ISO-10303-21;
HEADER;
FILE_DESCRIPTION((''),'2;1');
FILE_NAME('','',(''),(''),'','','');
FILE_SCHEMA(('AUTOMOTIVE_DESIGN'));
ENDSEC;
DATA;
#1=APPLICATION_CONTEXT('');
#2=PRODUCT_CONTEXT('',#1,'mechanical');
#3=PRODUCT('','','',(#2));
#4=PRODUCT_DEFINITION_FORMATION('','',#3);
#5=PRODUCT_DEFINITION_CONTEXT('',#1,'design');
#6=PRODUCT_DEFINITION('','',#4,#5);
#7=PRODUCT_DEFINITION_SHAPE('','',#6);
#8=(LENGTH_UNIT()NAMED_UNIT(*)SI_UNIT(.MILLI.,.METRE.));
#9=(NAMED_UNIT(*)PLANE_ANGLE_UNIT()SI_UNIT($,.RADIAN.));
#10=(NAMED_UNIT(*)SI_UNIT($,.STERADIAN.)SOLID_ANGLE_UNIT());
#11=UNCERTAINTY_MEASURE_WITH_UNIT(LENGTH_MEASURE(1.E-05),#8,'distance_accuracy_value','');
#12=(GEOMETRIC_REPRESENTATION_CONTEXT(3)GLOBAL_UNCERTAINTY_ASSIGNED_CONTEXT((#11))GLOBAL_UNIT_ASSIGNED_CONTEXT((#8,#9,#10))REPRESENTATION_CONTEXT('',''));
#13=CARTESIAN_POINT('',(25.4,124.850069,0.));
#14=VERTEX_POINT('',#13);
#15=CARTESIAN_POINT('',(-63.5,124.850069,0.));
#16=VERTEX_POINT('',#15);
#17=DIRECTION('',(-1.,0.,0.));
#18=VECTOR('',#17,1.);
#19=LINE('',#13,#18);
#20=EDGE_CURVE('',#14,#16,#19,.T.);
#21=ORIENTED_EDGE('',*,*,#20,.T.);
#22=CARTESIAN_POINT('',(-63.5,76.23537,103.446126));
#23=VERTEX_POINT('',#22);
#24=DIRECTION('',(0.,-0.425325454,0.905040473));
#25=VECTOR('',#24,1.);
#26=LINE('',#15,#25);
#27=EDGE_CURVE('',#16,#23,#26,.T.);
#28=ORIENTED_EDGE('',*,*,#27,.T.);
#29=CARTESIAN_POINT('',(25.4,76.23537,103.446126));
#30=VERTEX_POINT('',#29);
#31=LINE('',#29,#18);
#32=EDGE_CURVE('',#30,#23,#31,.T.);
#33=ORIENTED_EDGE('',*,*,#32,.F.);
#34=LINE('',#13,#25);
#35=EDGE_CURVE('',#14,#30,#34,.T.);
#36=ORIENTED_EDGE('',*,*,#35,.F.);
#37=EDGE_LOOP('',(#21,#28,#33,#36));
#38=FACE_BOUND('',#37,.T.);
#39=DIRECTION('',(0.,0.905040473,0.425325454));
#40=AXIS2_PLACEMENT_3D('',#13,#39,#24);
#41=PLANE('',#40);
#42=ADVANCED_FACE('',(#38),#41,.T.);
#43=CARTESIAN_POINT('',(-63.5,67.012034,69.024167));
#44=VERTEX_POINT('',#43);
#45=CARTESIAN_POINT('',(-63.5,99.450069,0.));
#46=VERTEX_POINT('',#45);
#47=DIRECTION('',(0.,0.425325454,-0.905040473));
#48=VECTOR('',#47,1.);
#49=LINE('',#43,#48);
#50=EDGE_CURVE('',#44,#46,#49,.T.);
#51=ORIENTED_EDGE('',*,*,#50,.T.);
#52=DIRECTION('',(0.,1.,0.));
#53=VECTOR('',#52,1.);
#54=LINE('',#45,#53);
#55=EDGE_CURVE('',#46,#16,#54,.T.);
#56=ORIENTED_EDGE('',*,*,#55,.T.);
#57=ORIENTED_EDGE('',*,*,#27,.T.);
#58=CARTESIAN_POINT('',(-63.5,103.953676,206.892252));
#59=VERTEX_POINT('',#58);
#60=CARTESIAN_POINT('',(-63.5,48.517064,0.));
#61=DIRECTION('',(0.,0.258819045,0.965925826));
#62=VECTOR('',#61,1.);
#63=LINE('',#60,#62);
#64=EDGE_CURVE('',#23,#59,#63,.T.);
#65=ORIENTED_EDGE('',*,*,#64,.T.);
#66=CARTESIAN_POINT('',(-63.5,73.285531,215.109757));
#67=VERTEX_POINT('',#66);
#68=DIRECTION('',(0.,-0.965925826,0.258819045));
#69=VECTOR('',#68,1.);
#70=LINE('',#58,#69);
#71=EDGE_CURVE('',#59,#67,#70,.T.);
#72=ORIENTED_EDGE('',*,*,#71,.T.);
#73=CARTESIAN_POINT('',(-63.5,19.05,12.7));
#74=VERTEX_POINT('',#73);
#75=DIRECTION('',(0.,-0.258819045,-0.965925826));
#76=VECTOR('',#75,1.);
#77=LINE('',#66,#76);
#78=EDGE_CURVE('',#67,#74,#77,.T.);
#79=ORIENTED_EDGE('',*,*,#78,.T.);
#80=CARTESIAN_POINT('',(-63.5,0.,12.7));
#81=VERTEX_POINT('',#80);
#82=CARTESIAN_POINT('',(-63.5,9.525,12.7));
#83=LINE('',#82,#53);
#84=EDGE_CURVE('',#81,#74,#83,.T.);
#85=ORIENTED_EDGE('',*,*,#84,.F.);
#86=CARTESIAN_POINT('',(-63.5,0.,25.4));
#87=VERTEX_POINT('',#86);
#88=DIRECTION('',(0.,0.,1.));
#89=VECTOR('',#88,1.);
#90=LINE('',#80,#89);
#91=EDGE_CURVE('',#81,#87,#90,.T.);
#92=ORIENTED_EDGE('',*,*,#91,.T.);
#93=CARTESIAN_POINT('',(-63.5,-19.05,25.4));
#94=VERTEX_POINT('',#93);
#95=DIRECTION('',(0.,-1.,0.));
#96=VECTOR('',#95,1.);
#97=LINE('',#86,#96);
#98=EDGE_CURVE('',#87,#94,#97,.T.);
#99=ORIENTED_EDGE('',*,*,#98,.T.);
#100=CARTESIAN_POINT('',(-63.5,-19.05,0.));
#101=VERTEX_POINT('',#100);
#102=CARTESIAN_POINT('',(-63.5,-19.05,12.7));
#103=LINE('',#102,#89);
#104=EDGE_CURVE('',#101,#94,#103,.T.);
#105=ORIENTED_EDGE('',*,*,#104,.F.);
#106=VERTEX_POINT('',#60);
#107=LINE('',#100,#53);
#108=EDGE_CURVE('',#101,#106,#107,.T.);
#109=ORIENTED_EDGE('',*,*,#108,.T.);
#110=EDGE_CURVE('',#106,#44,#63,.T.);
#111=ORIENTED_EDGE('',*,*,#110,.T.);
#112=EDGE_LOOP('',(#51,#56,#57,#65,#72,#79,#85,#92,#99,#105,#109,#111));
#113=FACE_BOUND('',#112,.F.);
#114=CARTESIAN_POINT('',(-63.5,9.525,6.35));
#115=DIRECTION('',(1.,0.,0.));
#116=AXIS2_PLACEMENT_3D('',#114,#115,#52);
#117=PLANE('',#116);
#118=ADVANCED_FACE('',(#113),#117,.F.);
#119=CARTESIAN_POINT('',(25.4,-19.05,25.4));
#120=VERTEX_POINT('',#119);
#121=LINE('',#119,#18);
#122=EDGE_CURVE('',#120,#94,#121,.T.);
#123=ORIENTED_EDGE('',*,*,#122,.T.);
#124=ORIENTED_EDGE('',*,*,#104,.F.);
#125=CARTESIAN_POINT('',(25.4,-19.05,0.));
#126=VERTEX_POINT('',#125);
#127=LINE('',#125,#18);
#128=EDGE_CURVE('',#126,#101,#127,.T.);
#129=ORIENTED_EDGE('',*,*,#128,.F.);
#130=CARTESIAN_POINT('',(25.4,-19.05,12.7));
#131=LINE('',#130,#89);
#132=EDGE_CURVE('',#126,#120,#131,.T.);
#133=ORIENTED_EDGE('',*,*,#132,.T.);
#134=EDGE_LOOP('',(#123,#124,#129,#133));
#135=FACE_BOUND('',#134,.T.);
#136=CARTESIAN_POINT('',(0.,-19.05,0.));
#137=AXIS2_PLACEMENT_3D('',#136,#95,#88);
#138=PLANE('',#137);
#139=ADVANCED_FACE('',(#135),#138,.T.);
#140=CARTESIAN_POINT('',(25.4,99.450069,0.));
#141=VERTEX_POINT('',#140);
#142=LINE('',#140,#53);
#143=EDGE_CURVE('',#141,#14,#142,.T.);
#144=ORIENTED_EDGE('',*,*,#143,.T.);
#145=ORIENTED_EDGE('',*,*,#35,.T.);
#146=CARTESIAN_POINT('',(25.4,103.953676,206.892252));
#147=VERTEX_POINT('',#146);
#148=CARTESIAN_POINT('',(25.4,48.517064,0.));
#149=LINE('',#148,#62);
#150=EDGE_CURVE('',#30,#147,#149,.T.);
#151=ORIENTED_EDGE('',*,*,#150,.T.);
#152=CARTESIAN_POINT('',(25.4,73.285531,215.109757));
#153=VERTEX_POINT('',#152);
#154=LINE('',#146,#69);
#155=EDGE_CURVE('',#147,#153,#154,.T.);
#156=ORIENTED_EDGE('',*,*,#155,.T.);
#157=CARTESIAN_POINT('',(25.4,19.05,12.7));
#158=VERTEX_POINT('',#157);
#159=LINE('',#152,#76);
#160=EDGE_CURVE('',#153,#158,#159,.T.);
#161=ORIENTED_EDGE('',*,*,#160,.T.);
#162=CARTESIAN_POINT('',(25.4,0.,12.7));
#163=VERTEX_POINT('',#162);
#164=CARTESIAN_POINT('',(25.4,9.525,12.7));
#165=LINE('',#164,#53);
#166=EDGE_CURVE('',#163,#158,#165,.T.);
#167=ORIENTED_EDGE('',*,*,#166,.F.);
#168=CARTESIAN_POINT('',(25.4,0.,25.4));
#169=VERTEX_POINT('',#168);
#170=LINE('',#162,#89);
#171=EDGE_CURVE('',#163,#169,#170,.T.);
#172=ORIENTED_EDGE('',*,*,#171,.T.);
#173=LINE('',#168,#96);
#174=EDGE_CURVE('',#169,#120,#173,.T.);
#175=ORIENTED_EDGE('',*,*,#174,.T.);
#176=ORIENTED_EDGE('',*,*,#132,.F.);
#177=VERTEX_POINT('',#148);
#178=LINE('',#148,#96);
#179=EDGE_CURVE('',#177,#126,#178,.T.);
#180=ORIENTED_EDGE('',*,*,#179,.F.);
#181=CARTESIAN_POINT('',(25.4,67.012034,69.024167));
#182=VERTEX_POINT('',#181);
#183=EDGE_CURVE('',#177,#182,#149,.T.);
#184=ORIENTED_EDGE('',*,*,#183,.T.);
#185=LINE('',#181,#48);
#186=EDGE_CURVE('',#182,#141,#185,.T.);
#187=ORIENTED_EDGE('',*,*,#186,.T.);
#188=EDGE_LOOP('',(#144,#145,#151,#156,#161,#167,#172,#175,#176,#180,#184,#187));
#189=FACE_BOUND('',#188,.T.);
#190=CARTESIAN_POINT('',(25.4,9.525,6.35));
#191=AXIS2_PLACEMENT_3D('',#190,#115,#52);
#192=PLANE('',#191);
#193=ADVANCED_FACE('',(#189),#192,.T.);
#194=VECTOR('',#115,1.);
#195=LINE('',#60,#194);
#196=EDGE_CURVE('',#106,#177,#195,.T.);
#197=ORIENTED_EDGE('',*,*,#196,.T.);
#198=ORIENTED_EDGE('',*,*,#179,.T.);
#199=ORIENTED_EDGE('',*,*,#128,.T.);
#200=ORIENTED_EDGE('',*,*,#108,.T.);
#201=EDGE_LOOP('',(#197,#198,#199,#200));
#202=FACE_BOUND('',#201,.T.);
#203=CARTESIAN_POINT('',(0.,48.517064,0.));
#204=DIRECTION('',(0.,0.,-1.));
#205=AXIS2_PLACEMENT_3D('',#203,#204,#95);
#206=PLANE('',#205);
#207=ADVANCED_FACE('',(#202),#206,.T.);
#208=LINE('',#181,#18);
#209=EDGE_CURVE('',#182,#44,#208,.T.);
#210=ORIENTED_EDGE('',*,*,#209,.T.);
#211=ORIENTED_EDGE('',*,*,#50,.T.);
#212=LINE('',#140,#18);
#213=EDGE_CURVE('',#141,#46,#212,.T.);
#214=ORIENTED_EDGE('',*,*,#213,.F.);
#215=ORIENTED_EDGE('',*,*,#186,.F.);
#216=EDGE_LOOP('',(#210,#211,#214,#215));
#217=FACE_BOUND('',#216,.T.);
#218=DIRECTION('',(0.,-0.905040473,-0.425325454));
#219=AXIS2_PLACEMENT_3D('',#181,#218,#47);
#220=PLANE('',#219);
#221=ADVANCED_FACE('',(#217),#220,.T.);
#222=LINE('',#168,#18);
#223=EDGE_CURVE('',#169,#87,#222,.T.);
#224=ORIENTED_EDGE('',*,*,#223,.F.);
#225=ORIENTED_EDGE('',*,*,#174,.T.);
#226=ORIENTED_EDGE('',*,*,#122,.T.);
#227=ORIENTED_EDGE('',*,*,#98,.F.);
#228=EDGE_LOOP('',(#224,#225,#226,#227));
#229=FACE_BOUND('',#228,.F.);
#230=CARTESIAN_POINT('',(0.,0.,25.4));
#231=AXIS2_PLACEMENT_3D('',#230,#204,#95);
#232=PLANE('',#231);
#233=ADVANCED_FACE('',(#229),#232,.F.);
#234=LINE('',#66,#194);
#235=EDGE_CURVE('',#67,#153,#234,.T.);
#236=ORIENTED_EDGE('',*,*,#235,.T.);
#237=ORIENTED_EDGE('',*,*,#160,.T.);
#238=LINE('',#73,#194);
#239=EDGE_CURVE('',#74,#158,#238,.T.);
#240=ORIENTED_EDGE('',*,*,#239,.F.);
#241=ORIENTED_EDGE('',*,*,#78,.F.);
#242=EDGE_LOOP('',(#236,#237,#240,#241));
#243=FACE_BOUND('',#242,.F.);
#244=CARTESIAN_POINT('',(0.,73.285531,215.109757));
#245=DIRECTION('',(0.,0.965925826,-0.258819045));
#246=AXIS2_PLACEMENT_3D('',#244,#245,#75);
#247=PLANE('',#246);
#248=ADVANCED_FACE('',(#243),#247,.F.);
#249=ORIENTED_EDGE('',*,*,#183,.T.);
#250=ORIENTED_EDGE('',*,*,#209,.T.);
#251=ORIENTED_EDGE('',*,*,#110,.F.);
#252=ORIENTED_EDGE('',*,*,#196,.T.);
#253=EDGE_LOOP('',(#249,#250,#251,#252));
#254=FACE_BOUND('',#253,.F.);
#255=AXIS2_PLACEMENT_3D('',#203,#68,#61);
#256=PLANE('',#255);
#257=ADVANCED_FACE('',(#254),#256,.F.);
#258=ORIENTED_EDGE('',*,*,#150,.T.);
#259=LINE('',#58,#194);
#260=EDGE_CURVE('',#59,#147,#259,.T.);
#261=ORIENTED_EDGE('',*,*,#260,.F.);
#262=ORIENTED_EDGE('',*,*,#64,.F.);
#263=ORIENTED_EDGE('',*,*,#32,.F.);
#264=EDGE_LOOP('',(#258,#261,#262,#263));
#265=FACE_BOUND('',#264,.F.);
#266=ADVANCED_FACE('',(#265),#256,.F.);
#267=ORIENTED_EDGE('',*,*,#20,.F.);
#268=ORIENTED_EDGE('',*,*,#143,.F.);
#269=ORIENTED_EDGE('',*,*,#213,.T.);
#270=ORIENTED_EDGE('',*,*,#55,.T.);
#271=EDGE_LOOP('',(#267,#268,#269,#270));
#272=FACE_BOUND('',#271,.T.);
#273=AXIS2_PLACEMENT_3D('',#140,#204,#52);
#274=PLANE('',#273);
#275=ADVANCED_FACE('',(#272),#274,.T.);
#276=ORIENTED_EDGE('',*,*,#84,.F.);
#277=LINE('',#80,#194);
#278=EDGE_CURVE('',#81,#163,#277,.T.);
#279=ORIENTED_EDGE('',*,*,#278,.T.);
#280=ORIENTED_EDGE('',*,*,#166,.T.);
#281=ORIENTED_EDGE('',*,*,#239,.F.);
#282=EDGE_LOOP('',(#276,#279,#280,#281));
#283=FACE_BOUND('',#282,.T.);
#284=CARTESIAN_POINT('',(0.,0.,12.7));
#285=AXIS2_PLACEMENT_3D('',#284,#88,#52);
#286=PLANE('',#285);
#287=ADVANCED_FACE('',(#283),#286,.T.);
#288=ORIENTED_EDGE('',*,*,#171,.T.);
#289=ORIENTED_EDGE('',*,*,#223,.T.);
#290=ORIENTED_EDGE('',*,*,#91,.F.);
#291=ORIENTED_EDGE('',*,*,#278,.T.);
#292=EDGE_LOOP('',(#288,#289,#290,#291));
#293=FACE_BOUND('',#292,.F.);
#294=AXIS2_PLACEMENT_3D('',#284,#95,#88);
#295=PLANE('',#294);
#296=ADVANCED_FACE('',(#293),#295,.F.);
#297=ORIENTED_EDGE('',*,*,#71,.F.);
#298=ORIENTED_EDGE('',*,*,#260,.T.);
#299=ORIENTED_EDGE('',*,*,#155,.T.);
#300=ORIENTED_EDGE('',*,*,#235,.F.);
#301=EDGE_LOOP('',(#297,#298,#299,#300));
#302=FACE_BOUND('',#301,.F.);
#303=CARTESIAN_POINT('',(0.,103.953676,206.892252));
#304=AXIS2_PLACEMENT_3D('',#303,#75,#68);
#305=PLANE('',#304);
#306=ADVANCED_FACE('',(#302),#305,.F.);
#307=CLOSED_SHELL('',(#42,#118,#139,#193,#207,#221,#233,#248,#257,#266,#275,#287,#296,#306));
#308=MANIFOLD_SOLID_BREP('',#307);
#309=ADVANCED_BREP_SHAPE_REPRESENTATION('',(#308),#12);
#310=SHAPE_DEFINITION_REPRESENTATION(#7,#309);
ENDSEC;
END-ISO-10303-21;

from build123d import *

# Parameters (mm, degrees)
F0_W     = 63.5
F0_H     = 25.4
F1_DEPTH = 19.05
F2_W     = 19.05
F2_H     = 12.7
F3_DEPTH = 63.5
F4_DEPTH = 25.4
F6_DEPTH = 88.9


with BuildPart() as f1:
    # F0 (on Front) → F1 (new body)
    with BuildSketch(Plane.XZ):
        with Locations((-31.75, 12.7)):
            Rectangle(F0_W, F0_H)
    extrude(amount=F1_DEPTH)

    # F2 (on Right) → F3 (join)
    with BuildSketch(Plane.YZ):
        with Locations((9.525, 6.35)):
            Rectangle(F2_W, F2_H)
        Polygon((19.05, 12.7), (19.05, 0), (48.5170639841, 0), (103.9536758859, 206.8922522169), (73.2855309012, 215.1097568989), align=None)
    extrude(amount=-F3_DEPTH)

    # F4 (add): a face of the model
    f4_faces = [f1.faces().sort_by_distance(p)[0] for p in [
        (0, 54.342102556, 96.7816110537),
    ]]
    extrude(f4_faces, amount=F4_DEPTH)

    # F5 (on face) → F6 (join)
    with BuildSketch(Plane.YZ.offset(25.4)):
        Polygon((124.8500692878, 0), (76.235369935, 103.4461261084), (67.012033734, 69.0241667908), (99.4500692878, 0), align=None)
    extrude(amount=-F6_DEPTH)


solid = f1.part
